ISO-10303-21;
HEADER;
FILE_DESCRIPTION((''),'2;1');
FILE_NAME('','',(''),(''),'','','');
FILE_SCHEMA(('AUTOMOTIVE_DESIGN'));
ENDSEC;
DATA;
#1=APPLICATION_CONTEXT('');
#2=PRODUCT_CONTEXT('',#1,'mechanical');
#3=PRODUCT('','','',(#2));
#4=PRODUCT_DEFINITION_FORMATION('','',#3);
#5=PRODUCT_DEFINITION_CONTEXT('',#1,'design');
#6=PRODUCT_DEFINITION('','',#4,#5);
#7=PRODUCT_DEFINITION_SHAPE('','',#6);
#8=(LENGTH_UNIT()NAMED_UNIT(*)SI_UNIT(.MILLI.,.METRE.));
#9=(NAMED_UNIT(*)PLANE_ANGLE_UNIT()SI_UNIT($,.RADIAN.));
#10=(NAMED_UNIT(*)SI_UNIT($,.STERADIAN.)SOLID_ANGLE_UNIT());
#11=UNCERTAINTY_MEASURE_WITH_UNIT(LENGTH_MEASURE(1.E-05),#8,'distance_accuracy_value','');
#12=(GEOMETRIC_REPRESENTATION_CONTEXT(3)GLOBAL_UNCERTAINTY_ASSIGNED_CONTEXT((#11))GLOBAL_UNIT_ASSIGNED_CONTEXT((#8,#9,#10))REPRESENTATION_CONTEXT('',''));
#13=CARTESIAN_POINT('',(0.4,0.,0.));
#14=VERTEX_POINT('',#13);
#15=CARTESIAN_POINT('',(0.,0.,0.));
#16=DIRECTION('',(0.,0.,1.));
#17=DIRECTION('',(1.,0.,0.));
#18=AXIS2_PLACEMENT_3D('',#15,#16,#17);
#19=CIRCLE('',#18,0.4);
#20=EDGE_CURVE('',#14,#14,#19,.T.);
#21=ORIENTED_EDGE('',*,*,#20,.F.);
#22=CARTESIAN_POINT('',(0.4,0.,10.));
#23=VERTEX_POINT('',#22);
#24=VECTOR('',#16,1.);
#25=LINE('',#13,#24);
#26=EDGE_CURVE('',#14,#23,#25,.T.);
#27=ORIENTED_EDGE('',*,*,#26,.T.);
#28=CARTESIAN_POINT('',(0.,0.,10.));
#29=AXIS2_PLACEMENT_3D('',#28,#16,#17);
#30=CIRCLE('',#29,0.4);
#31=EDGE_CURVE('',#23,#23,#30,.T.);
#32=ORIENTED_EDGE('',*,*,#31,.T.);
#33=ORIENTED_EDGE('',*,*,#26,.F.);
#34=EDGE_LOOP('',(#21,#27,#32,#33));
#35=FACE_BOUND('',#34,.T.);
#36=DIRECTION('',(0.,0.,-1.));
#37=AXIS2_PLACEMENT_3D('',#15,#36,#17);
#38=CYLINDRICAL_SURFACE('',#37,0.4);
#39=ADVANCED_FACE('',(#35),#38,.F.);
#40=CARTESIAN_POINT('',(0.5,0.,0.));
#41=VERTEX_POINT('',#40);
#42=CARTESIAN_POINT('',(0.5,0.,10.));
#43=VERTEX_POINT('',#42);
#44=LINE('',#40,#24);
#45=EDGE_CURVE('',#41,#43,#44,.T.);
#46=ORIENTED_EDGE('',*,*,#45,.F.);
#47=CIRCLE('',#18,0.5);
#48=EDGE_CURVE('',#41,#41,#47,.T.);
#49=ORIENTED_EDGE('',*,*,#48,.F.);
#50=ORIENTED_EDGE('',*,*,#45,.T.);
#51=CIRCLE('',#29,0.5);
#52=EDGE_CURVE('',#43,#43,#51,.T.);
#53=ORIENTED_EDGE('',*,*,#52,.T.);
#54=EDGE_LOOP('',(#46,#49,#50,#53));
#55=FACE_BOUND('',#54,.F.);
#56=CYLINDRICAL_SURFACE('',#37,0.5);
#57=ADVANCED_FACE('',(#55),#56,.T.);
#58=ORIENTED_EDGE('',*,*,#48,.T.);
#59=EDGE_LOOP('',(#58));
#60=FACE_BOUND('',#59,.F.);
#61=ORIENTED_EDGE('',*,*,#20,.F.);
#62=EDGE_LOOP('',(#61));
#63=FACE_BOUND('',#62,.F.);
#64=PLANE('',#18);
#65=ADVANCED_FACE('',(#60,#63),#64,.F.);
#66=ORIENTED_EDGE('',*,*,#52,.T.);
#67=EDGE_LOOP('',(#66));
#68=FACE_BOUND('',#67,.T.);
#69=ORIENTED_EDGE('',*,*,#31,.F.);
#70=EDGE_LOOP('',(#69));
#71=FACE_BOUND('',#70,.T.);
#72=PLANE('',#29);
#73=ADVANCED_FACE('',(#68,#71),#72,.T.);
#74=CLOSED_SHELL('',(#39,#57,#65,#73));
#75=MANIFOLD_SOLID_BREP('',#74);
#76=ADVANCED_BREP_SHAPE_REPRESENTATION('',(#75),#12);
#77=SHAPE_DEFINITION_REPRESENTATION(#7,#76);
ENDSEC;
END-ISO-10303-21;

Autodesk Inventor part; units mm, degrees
ref_plane "YZ Plane" through (0, 0, 0) normal (1, 0, 0) x (0, 1, 0)
ref_plane "XZ Plane" through (0, 0, 0) normal (0, 1, 0) x (-1, 0, 0)
ref_plane "XY Plane" through (0, 0, 0) normal (0, 0, 1) x (1, 0, 0)
sketch "Sketch1" plane through (0, 0, 0) normal (0, 0, 1) x (1, 0, 0)
  circle A0 centre (0, 0) radius 0.5
  circle A1 centre (0, 0) radius 0.4
  dimension "d0" = 1
  dimension "d1" = 0.8
extrude "Extrusion1" add sketch "Sketch1" along normal blind 10
thread "Thread4" size "M0.8x0.2" class "6H" standard "ANSI Metric M Profile" length 3
properties part number "laser_mount_!"
